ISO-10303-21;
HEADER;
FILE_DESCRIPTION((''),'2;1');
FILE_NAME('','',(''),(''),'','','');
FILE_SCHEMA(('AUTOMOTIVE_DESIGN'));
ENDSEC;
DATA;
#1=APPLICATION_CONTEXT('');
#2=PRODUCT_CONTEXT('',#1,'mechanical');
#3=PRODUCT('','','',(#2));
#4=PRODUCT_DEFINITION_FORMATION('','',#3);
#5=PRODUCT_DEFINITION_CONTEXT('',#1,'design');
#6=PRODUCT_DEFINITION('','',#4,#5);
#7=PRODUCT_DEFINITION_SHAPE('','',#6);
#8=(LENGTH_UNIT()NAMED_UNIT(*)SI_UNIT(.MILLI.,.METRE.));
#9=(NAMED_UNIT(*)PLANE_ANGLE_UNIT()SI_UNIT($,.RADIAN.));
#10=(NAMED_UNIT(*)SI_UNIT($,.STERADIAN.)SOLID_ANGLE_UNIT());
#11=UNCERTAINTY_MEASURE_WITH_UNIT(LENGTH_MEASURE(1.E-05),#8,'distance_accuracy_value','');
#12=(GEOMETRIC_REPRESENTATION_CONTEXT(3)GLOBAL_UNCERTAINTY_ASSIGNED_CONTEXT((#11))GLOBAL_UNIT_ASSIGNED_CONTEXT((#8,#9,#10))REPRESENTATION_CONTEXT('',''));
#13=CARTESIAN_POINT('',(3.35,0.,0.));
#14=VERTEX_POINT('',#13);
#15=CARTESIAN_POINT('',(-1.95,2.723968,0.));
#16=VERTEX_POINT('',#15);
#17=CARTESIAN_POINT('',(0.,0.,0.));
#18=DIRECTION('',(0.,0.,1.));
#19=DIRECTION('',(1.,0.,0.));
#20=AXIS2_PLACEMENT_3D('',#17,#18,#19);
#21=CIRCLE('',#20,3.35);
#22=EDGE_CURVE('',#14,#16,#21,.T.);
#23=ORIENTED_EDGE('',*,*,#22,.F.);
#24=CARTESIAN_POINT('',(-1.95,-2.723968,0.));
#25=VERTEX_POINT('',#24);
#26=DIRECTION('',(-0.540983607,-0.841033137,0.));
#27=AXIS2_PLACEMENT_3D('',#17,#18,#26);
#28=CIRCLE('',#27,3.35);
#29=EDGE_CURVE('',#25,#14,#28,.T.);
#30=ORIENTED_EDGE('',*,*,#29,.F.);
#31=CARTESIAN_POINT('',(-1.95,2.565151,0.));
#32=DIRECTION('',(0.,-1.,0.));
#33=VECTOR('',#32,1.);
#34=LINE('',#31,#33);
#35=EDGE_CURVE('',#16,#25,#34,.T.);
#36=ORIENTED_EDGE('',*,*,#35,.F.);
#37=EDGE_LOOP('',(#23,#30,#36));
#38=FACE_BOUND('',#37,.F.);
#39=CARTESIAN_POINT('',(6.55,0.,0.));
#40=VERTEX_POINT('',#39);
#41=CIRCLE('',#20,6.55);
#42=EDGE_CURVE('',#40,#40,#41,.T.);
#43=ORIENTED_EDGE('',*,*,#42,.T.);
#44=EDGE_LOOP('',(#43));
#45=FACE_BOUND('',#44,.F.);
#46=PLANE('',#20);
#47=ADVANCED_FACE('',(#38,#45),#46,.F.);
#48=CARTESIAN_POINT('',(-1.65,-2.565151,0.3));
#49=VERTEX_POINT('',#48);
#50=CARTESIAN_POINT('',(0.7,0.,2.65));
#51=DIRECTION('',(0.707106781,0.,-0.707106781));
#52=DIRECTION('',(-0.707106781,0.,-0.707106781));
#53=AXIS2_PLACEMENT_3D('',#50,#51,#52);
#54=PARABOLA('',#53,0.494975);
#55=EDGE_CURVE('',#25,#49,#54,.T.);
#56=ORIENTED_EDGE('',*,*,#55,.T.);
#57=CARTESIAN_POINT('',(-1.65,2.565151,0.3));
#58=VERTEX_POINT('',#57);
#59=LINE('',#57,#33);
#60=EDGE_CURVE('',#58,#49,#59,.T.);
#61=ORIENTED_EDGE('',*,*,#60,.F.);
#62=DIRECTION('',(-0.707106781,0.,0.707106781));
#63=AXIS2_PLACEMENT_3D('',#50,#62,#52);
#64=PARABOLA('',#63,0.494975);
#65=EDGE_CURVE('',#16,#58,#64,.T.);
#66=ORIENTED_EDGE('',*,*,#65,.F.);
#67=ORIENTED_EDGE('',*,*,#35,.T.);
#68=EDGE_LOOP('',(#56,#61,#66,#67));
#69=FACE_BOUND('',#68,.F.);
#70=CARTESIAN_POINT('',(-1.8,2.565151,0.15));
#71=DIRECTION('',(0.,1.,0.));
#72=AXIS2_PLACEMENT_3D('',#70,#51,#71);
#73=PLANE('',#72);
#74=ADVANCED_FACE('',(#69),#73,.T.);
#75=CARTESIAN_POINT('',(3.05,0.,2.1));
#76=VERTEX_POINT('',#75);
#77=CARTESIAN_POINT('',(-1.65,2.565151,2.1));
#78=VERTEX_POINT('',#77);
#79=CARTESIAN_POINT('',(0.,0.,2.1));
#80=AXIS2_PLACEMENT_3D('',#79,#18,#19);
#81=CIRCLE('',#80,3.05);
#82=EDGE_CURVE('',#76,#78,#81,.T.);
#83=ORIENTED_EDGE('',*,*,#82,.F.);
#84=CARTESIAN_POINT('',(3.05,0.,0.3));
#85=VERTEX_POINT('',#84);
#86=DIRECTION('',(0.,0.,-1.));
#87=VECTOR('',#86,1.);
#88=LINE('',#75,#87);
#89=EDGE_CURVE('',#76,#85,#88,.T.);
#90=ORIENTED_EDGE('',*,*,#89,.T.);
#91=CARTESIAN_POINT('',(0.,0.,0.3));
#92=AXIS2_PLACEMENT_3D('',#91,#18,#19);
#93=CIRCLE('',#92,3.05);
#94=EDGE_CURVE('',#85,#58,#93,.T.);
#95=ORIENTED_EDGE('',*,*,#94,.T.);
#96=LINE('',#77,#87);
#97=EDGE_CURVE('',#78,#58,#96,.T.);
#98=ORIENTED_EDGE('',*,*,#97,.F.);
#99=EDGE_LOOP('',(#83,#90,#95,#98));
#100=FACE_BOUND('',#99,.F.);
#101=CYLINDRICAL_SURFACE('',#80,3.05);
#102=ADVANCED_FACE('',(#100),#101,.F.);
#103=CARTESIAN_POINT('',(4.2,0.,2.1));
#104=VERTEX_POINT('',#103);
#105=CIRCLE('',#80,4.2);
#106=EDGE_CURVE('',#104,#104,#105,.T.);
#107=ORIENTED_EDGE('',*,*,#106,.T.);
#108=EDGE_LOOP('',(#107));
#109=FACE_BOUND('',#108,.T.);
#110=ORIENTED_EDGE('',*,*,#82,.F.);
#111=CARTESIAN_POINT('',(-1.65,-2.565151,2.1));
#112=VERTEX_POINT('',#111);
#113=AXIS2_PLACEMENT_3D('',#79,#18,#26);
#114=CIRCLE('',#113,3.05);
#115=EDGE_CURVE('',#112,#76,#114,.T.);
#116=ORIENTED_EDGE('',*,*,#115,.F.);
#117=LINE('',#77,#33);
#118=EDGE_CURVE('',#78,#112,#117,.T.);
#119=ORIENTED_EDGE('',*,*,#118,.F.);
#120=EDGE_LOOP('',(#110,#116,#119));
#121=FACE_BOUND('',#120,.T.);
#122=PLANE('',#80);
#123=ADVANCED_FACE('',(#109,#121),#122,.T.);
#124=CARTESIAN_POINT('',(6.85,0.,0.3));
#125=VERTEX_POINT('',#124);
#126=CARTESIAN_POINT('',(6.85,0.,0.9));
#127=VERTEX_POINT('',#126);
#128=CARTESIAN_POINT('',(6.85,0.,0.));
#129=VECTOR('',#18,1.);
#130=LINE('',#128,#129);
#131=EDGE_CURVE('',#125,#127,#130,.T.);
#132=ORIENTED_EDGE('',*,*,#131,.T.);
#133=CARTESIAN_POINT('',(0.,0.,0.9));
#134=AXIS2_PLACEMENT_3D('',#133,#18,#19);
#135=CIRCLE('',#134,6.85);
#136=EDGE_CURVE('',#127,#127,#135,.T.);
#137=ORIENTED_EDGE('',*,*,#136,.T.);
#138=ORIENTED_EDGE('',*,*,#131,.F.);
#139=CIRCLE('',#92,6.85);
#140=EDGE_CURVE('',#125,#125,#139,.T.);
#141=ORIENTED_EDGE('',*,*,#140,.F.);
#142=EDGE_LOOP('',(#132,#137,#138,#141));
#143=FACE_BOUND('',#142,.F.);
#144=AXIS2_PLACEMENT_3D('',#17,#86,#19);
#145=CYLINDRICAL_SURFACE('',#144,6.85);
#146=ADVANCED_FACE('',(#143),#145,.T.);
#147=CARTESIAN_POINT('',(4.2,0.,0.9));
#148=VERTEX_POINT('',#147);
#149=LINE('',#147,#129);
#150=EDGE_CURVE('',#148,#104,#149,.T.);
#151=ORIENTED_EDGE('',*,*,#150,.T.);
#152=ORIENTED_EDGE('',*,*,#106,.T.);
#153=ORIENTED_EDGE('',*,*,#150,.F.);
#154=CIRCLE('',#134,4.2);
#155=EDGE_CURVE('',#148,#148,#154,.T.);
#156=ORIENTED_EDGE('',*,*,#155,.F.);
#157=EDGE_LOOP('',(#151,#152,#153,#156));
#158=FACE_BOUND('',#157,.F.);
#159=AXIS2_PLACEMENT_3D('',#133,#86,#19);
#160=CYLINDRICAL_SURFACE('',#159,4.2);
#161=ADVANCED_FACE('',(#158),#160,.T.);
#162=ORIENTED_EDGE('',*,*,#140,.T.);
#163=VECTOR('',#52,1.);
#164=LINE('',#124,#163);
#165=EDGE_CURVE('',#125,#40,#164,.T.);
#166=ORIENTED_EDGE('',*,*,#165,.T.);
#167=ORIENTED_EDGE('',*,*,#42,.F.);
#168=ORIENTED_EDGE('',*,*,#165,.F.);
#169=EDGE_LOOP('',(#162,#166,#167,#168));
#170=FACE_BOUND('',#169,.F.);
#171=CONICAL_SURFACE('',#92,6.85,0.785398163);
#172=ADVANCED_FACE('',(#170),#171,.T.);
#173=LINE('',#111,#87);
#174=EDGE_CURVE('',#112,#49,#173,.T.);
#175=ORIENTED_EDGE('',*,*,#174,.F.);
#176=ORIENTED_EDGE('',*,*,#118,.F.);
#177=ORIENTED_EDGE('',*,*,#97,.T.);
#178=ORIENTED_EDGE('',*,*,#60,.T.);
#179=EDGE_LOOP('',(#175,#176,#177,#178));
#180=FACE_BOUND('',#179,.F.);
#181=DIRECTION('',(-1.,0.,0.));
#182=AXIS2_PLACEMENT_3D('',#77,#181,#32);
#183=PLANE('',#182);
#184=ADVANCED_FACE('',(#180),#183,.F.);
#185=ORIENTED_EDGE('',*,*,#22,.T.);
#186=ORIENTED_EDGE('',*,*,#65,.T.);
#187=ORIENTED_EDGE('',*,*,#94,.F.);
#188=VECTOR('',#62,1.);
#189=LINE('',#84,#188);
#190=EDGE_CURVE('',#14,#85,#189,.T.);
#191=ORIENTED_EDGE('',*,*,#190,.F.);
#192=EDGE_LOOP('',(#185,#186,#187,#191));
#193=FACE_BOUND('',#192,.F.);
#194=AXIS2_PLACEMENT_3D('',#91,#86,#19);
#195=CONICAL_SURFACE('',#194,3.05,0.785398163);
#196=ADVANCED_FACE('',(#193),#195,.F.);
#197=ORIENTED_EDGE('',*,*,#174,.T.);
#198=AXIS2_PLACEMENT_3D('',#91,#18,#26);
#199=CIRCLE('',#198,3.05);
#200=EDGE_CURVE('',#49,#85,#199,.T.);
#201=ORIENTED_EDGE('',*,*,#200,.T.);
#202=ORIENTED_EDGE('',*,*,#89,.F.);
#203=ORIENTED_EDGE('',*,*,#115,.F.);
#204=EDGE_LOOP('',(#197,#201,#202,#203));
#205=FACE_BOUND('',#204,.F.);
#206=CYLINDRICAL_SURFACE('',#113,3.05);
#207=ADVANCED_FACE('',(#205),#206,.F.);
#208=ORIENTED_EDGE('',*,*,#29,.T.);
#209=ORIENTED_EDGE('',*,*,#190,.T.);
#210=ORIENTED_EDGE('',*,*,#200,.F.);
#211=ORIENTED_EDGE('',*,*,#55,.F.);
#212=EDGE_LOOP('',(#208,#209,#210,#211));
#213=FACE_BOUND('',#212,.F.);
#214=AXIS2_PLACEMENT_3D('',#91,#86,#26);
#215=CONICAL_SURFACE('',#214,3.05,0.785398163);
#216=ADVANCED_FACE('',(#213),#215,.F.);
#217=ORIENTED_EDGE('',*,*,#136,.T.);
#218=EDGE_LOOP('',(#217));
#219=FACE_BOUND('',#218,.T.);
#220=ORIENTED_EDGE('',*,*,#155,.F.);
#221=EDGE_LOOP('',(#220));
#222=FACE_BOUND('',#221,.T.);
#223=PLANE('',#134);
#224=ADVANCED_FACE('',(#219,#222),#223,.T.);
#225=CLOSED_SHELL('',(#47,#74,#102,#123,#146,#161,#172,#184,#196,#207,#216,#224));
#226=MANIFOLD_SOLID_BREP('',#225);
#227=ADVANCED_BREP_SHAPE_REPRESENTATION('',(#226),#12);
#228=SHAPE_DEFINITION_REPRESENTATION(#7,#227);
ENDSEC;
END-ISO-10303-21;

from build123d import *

# Parameters (mm, degrees)
F0_R     = 6.85
F1_DEPTH = 0.9
F2_R     = 4.2
F3_DEPTH = 1.2
F5_DEPTH = 2.1
F6_SIZE  = 0.3


with BuildPart() as f1:
    # F0 (on Top) → F1 (new body)
    with BuildSketch(Plane.XY):
        Circle(F0_R)
    extrude(amount=F1_DEPTH)

    # F2 (on face) → F3 (join)
    with BuildSketch(Plane.XY.offset(0.9)):
        Circle(F2_R)
    extrude(amount=F3_DEPTH)

    # F4 (on face) → F5 (cut, through all)
    with BuildSketch(Plane.XY.offset(2.1)):
        with BuildLine():
            ThreePointArc((-1.65, -2.5651510677), (1.4611639196, -2.677218706), (3.05, 0))
            ThreePointArc((3.05, 0), (1.4611639196, 2.677218706), (-1.65, 2.5651510677))
            Line((-1.65, 2.5651510677), (-1.65, -2.5651510677))
        make_face()
    extrude(amount=-F5_DEPTH, mode=Mode.SUBTRACT)

    # F6
    f6_edges = [f1.edges().sort_by_distance(p)[0] for p in [
        (-6.85, 0, 0),
        (3.05, 0, 0),
        (-1.65, 0, 0),
    ]]
    chamfer(f6_edges, length=F6_SIZE)


solid = f1.part
